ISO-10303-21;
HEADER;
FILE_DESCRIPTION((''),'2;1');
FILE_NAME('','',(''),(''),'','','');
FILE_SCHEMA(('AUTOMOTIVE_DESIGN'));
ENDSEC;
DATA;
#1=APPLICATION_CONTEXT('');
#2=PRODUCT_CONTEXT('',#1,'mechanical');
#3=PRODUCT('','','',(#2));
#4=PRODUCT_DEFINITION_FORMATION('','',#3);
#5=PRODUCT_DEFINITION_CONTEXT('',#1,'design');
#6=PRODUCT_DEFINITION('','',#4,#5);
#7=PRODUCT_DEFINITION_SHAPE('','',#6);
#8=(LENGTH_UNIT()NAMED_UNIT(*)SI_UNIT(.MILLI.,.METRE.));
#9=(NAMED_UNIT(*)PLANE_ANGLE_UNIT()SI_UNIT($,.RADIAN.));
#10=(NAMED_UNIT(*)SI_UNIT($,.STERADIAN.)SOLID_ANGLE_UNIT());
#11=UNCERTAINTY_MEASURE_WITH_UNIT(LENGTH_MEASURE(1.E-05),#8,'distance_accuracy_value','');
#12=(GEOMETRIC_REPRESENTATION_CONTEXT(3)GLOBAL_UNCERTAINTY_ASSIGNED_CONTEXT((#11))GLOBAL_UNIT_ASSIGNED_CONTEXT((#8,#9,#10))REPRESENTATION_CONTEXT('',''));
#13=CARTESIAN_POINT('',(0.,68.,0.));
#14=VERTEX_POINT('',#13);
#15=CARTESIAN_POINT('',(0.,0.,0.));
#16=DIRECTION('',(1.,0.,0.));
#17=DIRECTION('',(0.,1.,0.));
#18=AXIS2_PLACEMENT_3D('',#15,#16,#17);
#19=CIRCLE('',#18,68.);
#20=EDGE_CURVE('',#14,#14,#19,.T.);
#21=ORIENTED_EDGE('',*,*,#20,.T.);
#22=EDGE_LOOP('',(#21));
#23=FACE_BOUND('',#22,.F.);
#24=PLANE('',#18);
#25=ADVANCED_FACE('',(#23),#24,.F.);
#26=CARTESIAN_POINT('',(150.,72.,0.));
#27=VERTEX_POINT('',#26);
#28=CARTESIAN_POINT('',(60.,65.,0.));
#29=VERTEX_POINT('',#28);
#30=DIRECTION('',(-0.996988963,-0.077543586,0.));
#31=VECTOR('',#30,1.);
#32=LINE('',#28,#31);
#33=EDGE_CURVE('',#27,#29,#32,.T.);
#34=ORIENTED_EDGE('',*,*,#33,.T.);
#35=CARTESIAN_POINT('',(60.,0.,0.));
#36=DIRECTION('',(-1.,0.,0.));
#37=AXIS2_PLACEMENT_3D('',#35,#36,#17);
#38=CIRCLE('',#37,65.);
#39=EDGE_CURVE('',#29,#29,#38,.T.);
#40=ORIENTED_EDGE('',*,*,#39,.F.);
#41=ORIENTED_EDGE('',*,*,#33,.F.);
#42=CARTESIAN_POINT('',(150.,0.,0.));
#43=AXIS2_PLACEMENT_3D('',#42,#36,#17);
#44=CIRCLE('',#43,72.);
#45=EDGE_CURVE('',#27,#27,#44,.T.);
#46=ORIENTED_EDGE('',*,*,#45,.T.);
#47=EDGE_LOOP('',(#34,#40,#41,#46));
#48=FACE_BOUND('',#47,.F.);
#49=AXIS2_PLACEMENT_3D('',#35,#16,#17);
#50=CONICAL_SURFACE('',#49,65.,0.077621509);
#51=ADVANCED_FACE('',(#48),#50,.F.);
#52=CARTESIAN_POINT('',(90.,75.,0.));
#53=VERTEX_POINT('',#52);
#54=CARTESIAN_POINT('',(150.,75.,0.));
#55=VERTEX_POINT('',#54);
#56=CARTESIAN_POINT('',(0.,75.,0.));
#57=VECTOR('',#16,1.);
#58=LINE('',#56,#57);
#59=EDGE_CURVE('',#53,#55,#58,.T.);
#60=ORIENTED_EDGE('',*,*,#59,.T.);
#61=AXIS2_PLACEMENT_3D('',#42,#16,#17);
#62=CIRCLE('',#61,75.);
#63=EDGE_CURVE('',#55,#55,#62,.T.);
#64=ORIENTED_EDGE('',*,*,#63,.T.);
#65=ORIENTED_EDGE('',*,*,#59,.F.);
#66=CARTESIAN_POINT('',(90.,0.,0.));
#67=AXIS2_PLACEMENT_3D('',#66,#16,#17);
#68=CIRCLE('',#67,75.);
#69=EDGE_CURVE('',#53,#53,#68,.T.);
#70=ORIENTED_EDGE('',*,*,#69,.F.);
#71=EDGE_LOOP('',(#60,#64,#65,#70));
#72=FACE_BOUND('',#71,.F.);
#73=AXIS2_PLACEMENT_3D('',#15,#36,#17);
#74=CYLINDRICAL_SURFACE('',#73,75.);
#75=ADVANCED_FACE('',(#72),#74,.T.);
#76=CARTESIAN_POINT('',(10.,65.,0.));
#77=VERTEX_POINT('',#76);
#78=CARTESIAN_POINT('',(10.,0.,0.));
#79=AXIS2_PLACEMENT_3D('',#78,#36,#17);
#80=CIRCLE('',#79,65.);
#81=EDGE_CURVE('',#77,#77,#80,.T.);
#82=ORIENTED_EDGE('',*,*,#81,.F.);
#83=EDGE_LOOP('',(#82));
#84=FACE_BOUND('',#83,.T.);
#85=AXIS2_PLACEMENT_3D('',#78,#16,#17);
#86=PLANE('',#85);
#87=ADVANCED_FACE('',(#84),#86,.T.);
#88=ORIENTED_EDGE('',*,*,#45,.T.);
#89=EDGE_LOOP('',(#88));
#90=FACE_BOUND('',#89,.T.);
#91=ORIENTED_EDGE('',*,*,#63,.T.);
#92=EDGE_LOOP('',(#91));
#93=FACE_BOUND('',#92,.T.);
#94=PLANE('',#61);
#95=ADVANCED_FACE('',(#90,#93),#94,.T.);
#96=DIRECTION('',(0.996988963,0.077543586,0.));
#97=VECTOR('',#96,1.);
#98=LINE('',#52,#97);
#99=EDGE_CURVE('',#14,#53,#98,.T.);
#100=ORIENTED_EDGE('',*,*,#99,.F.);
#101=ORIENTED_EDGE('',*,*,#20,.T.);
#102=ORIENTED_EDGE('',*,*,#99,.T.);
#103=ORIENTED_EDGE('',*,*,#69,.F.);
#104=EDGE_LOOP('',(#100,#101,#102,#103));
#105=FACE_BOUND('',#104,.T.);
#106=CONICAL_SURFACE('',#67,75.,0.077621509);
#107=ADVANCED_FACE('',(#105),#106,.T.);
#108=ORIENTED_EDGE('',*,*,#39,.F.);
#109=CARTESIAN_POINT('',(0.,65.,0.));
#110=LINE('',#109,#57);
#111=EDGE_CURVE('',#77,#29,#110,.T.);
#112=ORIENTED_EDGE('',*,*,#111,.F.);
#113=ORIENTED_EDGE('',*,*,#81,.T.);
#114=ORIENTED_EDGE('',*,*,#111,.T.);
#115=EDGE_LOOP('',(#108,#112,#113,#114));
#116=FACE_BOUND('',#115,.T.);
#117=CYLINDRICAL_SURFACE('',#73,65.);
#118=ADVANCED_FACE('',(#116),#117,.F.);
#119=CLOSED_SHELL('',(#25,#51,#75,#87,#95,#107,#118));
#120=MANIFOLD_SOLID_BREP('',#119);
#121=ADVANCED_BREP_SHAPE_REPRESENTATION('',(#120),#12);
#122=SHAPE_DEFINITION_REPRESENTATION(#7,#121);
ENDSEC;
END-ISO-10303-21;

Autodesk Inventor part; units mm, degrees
ref_plane "YZ Plane" through (0, 0, 0) normal (1, 0, 0) x (0, 1, 0)
ref_plane "XZ Plane" through (0, 0, 0) normal (0, 1, 0) x (-1, 0, 0)
ref_plane "XY Plane" through (0, 0, 0) normal (0, 0, 1) x (1, 0, 0)
sketch "Skizze1" plane through (0, 0, 0) normal (1, 0, 0) x (0, 1, 0)
  circle A0 centre (0, 0) radius 75
  dimension "d0" = 150
extrude "Extrusion1" add sketch "Skizze1" along normal blind 150
shell "Wandung1" thickness 10 removed faces 1 at (150, 17.7208, 28.0232)
chamfer "Fase1" distance 7 distance2 90 1 edges at (150, -65, 0) measured on face at (150, -32.1985, -63.7899)
chamfer "Fase2" distance 7 distance2 90 1 edges at (0, -75, 0) measured on face at (0, 17.7208, 28.0232)
properties part number "Blumentopf"
